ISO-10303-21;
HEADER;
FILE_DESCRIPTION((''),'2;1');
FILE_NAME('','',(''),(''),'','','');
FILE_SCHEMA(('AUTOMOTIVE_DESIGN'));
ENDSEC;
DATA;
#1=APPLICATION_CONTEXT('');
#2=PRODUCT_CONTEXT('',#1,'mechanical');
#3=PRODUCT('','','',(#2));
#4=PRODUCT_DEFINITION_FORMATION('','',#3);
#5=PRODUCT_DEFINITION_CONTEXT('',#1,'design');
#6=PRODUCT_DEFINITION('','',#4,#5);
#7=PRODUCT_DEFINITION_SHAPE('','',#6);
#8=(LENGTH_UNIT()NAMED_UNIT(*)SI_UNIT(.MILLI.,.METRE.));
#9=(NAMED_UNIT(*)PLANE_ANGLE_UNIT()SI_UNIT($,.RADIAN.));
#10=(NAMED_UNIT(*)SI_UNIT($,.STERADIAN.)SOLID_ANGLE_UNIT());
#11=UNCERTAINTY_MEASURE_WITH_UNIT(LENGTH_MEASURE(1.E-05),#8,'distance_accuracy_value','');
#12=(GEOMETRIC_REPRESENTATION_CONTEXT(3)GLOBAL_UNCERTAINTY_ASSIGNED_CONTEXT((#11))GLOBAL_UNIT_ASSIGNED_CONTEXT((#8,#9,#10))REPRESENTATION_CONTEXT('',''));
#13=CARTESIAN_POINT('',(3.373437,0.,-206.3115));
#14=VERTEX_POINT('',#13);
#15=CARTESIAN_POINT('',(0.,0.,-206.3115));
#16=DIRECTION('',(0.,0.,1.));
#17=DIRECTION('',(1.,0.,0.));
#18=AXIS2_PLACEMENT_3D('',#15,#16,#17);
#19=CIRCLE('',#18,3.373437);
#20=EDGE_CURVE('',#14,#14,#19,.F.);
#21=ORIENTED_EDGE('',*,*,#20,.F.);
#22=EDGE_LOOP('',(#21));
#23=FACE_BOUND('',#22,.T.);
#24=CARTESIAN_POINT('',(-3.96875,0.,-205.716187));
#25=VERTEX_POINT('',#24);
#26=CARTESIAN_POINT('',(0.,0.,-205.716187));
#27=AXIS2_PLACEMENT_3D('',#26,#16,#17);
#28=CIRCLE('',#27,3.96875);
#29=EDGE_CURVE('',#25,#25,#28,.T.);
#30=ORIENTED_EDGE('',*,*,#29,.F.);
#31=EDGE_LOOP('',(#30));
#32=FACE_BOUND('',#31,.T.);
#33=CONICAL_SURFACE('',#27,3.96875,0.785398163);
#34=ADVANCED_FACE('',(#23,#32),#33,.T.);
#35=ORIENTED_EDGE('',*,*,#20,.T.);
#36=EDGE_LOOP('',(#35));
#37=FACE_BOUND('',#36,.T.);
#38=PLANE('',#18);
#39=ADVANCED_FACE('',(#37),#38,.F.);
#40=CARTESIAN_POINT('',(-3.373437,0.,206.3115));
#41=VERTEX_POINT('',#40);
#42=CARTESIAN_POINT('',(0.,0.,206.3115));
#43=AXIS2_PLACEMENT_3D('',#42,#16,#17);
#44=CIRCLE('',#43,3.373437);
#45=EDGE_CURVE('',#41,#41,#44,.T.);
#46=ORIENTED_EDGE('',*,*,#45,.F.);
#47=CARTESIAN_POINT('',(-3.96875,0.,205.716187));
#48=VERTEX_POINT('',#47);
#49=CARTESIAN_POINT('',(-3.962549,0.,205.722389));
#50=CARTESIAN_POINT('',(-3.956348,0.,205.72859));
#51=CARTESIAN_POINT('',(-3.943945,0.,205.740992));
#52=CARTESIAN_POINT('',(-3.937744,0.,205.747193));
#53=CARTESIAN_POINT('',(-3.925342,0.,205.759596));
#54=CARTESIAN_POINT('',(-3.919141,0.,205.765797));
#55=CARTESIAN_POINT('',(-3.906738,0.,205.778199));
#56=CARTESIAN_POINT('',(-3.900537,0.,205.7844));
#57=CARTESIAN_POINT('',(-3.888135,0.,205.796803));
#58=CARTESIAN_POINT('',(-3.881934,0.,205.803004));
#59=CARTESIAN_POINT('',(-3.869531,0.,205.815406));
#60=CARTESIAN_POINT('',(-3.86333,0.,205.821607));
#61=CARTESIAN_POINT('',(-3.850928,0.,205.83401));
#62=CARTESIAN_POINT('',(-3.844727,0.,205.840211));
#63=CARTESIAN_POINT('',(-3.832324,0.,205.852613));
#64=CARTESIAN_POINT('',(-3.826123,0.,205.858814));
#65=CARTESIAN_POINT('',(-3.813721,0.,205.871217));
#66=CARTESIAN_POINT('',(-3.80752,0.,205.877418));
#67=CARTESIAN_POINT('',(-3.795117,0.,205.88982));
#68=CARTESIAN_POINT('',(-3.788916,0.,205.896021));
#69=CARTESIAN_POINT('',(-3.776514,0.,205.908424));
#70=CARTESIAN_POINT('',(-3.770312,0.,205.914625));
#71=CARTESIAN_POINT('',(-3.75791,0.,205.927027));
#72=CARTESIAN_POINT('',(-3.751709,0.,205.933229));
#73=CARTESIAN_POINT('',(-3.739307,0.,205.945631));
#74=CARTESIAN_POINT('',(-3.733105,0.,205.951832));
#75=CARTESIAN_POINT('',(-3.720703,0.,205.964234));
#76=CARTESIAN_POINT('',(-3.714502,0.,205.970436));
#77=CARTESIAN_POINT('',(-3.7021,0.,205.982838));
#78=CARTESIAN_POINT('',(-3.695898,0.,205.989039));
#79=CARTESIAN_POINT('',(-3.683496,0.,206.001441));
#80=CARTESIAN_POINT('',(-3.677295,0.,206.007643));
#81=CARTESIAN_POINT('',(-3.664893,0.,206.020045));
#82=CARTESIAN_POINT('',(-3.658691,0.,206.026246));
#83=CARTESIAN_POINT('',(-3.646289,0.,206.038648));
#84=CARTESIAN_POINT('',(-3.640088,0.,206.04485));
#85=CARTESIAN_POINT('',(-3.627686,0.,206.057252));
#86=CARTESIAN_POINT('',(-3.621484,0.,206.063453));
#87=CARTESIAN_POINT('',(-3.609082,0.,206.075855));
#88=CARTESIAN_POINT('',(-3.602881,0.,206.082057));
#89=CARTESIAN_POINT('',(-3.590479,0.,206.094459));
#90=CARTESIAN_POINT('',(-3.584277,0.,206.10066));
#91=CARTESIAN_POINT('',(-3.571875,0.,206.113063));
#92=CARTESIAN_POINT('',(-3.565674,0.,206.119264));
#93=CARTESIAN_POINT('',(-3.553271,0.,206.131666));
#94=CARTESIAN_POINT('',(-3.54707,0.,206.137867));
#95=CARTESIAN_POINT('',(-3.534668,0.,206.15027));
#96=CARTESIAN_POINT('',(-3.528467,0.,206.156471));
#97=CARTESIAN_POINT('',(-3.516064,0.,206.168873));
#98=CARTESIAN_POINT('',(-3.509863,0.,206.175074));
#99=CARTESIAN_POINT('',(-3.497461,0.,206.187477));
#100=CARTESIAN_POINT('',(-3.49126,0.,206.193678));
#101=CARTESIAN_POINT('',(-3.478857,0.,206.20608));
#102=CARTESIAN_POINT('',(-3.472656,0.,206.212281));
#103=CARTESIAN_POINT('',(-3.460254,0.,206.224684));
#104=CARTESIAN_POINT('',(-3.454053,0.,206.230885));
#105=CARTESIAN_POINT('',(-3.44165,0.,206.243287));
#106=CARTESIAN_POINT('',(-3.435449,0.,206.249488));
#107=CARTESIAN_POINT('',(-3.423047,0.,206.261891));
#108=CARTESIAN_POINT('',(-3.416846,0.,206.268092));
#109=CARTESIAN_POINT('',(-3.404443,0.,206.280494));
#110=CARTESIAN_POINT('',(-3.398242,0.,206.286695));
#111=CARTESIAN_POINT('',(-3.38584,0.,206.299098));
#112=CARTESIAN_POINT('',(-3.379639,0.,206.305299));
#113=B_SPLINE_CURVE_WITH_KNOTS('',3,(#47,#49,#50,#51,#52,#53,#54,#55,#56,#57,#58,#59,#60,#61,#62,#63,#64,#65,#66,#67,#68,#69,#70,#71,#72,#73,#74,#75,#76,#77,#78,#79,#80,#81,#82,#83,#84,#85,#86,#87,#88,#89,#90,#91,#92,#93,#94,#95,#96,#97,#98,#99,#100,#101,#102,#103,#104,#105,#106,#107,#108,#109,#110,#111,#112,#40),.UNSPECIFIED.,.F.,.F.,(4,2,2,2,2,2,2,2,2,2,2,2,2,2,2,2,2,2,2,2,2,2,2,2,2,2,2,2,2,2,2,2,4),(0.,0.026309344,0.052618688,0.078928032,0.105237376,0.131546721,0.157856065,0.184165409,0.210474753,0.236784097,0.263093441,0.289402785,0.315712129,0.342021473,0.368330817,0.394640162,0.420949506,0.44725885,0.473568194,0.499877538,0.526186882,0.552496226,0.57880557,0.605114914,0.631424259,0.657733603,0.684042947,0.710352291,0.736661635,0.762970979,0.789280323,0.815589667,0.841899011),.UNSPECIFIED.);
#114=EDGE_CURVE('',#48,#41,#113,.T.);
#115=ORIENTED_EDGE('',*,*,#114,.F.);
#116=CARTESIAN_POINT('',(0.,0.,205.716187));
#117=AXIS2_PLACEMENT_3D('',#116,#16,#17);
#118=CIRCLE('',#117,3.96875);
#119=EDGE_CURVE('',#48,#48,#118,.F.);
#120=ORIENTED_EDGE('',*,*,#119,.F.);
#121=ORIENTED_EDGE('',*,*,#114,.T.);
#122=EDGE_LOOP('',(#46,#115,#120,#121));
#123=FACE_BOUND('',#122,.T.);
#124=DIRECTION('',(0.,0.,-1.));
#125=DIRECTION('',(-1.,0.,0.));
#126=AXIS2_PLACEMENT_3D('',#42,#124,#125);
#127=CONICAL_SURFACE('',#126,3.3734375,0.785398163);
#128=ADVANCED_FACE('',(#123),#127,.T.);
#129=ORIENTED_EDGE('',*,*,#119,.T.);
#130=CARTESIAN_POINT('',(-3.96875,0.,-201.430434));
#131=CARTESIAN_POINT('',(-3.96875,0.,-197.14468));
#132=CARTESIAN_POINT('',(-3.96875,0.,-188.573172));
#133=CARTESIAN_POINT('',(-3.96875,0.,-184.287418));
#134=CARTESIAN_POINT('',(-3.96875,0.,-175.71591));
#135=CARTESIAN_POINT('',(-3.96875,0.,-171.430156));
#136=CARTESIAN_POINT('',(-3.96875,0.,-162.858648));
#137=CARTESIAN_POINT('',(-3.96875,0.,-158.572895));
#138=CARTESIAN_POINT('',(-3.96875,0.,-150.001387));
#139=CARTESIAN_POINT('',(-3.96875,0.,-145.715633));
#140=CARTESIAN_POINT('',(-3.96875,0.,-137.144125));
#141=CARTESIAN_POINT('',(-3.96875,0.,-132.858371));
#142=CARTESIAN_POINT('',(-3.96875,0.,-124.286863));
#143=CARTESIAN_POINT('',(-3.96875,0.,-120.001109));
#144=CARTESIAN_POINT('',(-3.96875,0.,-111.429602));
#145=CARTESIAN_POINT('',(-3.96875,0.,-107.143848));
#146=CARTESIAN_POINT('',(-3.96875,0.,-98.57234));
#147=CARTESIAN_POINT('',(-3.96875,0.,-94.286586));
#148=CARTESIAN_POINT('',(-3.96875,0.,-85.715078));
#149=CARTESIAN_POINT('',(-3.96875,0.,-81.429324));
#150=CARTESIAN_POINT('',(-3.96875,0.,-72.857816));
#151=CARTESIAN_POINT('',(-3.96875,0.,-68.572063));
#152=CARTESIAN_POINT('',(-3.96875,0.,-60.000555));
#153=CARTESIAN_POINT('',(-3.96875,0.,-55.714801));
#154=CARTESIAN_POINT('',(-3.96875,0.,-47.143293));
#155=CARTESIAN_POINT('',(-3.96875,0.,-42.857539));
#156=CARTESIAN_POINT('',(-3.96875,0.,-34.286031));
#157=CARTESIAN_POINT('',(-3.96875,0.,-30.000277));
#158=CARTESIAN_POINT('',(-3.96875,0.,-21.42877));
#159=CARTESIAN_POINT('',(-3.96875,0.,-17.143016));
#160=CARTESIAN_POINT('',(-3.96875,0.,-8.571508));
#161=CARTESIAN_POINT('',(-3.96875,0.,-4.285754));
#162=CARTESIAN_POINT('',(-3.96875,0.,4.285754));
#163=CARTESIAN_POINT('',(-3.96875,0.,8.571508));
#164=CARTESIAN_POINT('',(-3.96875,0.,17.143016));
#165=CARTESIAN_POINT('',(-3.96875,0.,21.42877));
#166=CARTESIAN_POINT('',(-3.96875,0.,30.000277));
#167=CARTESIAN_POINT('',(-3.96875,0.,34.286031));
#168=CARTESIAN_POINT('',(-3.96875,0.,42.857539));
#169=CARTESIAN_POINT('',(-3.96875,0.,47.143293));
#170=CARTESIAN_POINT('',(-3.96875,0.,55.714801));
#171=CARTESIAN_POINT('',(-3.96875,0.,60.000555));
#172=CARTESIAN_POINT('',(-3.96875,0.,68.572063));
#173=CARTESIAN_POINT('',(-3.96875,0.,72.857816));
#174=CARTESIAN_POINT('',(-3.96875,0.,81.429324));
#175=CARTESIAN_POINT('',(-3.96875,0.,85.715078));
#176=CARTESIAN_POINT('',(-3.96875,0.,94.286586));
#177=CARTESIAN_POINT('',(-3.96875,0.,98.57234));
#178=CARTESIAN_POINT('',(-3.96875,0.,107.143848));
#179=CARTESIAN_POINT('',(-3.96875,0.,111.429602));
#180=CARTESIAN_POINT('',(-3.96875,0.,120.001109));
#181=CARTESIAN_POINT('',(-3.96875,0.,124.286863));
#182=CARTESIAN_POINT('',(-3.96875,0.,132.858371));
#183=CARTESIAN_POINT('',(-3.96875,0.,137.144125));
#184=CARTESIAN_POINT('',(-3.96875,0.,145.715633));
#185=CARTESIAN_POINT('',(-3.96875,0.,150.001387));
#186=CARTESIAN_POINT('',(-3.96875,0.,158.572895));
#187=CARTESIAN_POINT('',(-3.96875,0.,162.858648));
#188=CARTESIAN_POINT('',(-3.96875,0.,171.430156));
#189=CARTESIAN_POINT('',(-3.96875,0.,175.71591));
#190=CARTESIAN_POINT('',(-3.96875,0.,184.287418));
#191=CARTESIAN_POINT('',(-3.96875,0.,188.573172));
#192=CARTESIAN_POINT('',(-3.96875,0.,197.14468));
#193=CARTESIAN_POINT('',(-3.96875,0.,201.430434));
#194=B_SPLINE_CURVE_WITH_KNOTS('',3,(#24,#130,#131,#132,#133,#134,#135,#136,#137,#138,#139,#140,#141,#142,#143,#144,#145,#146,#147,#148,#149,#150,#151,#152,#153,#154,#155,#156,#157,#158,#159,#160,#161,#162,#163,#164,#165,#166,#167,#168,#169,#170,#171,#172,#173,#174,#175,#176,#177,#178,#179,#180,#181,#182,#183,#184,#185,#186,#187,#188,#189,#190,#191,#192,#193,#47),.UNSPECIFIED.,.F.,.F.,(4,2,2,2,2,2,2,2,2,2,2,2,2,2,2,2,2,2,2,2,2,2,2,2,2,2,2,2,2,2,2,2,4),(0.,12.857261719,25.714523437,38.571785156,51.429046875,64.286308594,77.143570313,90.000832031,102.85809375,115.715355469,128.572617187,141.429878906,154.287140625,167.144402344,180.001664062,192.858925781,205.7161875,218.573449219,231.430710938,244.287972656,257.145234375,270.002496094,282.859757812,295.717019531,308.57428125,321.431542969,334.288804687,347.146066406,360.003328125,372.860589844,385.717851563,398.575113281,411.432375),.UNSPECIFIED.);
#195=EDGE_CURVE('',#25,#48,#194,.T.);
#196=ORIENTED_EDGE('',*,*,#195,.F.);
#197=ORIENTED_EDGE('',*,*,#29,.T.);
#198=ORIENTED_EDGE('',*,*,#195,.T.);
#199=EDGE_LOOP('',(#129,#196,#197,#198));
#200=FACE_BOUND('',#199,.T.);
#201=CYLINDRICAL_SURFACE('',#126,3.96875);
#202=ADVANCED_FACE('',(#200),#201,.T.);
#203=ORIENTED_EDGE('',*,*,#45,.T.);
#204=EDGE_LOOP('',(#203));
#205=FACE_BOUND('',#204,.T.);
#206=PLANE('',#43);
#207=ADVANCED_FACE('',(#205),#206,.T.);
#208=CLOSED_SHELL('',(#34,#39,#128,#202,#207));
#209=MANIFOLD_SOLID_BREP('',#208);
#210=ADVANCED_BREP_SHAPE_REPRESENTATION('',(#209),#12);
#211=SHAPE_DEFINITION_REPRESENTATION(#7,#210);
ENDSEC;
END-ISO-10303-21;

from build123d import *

# Parameters (mm, degrees)
BOSS_EXTRUDE1_DEPTH      = 206.3115
BOSS_EXTRUDE1_DEPTH_BACK = 206.3115
SKETCH2_R                = 3.96875
CHAMFER1_SIZE            = 0.5953125


with BuildPart() as part:
    # Sketch2 → Boss-Extrude1 (new, two sides: drawn at the far end of the back side and taken through both)
    with BuildSketch(Plane.XY.offset(-BOSS_EXTRUDE1_DEPTH_BACK)):
        Circle(SKETCH2_R)
    extrude(amount=BOSS_EXTRUDE1_DEPTH + BOSS_EXTRUDE1_DEPTH_BACK)

    # Chamfer1
    chamfer1_edges = [part.edges().sort_by_distance(p)[0] for p in [
        (-3.96875, 0, -206.3115),
        (-3.96875, 0, 206.3115),
    ]]
    chamfer(chamfer1_edges, length=CHAMFER1_SIZE)


solid = part.part
